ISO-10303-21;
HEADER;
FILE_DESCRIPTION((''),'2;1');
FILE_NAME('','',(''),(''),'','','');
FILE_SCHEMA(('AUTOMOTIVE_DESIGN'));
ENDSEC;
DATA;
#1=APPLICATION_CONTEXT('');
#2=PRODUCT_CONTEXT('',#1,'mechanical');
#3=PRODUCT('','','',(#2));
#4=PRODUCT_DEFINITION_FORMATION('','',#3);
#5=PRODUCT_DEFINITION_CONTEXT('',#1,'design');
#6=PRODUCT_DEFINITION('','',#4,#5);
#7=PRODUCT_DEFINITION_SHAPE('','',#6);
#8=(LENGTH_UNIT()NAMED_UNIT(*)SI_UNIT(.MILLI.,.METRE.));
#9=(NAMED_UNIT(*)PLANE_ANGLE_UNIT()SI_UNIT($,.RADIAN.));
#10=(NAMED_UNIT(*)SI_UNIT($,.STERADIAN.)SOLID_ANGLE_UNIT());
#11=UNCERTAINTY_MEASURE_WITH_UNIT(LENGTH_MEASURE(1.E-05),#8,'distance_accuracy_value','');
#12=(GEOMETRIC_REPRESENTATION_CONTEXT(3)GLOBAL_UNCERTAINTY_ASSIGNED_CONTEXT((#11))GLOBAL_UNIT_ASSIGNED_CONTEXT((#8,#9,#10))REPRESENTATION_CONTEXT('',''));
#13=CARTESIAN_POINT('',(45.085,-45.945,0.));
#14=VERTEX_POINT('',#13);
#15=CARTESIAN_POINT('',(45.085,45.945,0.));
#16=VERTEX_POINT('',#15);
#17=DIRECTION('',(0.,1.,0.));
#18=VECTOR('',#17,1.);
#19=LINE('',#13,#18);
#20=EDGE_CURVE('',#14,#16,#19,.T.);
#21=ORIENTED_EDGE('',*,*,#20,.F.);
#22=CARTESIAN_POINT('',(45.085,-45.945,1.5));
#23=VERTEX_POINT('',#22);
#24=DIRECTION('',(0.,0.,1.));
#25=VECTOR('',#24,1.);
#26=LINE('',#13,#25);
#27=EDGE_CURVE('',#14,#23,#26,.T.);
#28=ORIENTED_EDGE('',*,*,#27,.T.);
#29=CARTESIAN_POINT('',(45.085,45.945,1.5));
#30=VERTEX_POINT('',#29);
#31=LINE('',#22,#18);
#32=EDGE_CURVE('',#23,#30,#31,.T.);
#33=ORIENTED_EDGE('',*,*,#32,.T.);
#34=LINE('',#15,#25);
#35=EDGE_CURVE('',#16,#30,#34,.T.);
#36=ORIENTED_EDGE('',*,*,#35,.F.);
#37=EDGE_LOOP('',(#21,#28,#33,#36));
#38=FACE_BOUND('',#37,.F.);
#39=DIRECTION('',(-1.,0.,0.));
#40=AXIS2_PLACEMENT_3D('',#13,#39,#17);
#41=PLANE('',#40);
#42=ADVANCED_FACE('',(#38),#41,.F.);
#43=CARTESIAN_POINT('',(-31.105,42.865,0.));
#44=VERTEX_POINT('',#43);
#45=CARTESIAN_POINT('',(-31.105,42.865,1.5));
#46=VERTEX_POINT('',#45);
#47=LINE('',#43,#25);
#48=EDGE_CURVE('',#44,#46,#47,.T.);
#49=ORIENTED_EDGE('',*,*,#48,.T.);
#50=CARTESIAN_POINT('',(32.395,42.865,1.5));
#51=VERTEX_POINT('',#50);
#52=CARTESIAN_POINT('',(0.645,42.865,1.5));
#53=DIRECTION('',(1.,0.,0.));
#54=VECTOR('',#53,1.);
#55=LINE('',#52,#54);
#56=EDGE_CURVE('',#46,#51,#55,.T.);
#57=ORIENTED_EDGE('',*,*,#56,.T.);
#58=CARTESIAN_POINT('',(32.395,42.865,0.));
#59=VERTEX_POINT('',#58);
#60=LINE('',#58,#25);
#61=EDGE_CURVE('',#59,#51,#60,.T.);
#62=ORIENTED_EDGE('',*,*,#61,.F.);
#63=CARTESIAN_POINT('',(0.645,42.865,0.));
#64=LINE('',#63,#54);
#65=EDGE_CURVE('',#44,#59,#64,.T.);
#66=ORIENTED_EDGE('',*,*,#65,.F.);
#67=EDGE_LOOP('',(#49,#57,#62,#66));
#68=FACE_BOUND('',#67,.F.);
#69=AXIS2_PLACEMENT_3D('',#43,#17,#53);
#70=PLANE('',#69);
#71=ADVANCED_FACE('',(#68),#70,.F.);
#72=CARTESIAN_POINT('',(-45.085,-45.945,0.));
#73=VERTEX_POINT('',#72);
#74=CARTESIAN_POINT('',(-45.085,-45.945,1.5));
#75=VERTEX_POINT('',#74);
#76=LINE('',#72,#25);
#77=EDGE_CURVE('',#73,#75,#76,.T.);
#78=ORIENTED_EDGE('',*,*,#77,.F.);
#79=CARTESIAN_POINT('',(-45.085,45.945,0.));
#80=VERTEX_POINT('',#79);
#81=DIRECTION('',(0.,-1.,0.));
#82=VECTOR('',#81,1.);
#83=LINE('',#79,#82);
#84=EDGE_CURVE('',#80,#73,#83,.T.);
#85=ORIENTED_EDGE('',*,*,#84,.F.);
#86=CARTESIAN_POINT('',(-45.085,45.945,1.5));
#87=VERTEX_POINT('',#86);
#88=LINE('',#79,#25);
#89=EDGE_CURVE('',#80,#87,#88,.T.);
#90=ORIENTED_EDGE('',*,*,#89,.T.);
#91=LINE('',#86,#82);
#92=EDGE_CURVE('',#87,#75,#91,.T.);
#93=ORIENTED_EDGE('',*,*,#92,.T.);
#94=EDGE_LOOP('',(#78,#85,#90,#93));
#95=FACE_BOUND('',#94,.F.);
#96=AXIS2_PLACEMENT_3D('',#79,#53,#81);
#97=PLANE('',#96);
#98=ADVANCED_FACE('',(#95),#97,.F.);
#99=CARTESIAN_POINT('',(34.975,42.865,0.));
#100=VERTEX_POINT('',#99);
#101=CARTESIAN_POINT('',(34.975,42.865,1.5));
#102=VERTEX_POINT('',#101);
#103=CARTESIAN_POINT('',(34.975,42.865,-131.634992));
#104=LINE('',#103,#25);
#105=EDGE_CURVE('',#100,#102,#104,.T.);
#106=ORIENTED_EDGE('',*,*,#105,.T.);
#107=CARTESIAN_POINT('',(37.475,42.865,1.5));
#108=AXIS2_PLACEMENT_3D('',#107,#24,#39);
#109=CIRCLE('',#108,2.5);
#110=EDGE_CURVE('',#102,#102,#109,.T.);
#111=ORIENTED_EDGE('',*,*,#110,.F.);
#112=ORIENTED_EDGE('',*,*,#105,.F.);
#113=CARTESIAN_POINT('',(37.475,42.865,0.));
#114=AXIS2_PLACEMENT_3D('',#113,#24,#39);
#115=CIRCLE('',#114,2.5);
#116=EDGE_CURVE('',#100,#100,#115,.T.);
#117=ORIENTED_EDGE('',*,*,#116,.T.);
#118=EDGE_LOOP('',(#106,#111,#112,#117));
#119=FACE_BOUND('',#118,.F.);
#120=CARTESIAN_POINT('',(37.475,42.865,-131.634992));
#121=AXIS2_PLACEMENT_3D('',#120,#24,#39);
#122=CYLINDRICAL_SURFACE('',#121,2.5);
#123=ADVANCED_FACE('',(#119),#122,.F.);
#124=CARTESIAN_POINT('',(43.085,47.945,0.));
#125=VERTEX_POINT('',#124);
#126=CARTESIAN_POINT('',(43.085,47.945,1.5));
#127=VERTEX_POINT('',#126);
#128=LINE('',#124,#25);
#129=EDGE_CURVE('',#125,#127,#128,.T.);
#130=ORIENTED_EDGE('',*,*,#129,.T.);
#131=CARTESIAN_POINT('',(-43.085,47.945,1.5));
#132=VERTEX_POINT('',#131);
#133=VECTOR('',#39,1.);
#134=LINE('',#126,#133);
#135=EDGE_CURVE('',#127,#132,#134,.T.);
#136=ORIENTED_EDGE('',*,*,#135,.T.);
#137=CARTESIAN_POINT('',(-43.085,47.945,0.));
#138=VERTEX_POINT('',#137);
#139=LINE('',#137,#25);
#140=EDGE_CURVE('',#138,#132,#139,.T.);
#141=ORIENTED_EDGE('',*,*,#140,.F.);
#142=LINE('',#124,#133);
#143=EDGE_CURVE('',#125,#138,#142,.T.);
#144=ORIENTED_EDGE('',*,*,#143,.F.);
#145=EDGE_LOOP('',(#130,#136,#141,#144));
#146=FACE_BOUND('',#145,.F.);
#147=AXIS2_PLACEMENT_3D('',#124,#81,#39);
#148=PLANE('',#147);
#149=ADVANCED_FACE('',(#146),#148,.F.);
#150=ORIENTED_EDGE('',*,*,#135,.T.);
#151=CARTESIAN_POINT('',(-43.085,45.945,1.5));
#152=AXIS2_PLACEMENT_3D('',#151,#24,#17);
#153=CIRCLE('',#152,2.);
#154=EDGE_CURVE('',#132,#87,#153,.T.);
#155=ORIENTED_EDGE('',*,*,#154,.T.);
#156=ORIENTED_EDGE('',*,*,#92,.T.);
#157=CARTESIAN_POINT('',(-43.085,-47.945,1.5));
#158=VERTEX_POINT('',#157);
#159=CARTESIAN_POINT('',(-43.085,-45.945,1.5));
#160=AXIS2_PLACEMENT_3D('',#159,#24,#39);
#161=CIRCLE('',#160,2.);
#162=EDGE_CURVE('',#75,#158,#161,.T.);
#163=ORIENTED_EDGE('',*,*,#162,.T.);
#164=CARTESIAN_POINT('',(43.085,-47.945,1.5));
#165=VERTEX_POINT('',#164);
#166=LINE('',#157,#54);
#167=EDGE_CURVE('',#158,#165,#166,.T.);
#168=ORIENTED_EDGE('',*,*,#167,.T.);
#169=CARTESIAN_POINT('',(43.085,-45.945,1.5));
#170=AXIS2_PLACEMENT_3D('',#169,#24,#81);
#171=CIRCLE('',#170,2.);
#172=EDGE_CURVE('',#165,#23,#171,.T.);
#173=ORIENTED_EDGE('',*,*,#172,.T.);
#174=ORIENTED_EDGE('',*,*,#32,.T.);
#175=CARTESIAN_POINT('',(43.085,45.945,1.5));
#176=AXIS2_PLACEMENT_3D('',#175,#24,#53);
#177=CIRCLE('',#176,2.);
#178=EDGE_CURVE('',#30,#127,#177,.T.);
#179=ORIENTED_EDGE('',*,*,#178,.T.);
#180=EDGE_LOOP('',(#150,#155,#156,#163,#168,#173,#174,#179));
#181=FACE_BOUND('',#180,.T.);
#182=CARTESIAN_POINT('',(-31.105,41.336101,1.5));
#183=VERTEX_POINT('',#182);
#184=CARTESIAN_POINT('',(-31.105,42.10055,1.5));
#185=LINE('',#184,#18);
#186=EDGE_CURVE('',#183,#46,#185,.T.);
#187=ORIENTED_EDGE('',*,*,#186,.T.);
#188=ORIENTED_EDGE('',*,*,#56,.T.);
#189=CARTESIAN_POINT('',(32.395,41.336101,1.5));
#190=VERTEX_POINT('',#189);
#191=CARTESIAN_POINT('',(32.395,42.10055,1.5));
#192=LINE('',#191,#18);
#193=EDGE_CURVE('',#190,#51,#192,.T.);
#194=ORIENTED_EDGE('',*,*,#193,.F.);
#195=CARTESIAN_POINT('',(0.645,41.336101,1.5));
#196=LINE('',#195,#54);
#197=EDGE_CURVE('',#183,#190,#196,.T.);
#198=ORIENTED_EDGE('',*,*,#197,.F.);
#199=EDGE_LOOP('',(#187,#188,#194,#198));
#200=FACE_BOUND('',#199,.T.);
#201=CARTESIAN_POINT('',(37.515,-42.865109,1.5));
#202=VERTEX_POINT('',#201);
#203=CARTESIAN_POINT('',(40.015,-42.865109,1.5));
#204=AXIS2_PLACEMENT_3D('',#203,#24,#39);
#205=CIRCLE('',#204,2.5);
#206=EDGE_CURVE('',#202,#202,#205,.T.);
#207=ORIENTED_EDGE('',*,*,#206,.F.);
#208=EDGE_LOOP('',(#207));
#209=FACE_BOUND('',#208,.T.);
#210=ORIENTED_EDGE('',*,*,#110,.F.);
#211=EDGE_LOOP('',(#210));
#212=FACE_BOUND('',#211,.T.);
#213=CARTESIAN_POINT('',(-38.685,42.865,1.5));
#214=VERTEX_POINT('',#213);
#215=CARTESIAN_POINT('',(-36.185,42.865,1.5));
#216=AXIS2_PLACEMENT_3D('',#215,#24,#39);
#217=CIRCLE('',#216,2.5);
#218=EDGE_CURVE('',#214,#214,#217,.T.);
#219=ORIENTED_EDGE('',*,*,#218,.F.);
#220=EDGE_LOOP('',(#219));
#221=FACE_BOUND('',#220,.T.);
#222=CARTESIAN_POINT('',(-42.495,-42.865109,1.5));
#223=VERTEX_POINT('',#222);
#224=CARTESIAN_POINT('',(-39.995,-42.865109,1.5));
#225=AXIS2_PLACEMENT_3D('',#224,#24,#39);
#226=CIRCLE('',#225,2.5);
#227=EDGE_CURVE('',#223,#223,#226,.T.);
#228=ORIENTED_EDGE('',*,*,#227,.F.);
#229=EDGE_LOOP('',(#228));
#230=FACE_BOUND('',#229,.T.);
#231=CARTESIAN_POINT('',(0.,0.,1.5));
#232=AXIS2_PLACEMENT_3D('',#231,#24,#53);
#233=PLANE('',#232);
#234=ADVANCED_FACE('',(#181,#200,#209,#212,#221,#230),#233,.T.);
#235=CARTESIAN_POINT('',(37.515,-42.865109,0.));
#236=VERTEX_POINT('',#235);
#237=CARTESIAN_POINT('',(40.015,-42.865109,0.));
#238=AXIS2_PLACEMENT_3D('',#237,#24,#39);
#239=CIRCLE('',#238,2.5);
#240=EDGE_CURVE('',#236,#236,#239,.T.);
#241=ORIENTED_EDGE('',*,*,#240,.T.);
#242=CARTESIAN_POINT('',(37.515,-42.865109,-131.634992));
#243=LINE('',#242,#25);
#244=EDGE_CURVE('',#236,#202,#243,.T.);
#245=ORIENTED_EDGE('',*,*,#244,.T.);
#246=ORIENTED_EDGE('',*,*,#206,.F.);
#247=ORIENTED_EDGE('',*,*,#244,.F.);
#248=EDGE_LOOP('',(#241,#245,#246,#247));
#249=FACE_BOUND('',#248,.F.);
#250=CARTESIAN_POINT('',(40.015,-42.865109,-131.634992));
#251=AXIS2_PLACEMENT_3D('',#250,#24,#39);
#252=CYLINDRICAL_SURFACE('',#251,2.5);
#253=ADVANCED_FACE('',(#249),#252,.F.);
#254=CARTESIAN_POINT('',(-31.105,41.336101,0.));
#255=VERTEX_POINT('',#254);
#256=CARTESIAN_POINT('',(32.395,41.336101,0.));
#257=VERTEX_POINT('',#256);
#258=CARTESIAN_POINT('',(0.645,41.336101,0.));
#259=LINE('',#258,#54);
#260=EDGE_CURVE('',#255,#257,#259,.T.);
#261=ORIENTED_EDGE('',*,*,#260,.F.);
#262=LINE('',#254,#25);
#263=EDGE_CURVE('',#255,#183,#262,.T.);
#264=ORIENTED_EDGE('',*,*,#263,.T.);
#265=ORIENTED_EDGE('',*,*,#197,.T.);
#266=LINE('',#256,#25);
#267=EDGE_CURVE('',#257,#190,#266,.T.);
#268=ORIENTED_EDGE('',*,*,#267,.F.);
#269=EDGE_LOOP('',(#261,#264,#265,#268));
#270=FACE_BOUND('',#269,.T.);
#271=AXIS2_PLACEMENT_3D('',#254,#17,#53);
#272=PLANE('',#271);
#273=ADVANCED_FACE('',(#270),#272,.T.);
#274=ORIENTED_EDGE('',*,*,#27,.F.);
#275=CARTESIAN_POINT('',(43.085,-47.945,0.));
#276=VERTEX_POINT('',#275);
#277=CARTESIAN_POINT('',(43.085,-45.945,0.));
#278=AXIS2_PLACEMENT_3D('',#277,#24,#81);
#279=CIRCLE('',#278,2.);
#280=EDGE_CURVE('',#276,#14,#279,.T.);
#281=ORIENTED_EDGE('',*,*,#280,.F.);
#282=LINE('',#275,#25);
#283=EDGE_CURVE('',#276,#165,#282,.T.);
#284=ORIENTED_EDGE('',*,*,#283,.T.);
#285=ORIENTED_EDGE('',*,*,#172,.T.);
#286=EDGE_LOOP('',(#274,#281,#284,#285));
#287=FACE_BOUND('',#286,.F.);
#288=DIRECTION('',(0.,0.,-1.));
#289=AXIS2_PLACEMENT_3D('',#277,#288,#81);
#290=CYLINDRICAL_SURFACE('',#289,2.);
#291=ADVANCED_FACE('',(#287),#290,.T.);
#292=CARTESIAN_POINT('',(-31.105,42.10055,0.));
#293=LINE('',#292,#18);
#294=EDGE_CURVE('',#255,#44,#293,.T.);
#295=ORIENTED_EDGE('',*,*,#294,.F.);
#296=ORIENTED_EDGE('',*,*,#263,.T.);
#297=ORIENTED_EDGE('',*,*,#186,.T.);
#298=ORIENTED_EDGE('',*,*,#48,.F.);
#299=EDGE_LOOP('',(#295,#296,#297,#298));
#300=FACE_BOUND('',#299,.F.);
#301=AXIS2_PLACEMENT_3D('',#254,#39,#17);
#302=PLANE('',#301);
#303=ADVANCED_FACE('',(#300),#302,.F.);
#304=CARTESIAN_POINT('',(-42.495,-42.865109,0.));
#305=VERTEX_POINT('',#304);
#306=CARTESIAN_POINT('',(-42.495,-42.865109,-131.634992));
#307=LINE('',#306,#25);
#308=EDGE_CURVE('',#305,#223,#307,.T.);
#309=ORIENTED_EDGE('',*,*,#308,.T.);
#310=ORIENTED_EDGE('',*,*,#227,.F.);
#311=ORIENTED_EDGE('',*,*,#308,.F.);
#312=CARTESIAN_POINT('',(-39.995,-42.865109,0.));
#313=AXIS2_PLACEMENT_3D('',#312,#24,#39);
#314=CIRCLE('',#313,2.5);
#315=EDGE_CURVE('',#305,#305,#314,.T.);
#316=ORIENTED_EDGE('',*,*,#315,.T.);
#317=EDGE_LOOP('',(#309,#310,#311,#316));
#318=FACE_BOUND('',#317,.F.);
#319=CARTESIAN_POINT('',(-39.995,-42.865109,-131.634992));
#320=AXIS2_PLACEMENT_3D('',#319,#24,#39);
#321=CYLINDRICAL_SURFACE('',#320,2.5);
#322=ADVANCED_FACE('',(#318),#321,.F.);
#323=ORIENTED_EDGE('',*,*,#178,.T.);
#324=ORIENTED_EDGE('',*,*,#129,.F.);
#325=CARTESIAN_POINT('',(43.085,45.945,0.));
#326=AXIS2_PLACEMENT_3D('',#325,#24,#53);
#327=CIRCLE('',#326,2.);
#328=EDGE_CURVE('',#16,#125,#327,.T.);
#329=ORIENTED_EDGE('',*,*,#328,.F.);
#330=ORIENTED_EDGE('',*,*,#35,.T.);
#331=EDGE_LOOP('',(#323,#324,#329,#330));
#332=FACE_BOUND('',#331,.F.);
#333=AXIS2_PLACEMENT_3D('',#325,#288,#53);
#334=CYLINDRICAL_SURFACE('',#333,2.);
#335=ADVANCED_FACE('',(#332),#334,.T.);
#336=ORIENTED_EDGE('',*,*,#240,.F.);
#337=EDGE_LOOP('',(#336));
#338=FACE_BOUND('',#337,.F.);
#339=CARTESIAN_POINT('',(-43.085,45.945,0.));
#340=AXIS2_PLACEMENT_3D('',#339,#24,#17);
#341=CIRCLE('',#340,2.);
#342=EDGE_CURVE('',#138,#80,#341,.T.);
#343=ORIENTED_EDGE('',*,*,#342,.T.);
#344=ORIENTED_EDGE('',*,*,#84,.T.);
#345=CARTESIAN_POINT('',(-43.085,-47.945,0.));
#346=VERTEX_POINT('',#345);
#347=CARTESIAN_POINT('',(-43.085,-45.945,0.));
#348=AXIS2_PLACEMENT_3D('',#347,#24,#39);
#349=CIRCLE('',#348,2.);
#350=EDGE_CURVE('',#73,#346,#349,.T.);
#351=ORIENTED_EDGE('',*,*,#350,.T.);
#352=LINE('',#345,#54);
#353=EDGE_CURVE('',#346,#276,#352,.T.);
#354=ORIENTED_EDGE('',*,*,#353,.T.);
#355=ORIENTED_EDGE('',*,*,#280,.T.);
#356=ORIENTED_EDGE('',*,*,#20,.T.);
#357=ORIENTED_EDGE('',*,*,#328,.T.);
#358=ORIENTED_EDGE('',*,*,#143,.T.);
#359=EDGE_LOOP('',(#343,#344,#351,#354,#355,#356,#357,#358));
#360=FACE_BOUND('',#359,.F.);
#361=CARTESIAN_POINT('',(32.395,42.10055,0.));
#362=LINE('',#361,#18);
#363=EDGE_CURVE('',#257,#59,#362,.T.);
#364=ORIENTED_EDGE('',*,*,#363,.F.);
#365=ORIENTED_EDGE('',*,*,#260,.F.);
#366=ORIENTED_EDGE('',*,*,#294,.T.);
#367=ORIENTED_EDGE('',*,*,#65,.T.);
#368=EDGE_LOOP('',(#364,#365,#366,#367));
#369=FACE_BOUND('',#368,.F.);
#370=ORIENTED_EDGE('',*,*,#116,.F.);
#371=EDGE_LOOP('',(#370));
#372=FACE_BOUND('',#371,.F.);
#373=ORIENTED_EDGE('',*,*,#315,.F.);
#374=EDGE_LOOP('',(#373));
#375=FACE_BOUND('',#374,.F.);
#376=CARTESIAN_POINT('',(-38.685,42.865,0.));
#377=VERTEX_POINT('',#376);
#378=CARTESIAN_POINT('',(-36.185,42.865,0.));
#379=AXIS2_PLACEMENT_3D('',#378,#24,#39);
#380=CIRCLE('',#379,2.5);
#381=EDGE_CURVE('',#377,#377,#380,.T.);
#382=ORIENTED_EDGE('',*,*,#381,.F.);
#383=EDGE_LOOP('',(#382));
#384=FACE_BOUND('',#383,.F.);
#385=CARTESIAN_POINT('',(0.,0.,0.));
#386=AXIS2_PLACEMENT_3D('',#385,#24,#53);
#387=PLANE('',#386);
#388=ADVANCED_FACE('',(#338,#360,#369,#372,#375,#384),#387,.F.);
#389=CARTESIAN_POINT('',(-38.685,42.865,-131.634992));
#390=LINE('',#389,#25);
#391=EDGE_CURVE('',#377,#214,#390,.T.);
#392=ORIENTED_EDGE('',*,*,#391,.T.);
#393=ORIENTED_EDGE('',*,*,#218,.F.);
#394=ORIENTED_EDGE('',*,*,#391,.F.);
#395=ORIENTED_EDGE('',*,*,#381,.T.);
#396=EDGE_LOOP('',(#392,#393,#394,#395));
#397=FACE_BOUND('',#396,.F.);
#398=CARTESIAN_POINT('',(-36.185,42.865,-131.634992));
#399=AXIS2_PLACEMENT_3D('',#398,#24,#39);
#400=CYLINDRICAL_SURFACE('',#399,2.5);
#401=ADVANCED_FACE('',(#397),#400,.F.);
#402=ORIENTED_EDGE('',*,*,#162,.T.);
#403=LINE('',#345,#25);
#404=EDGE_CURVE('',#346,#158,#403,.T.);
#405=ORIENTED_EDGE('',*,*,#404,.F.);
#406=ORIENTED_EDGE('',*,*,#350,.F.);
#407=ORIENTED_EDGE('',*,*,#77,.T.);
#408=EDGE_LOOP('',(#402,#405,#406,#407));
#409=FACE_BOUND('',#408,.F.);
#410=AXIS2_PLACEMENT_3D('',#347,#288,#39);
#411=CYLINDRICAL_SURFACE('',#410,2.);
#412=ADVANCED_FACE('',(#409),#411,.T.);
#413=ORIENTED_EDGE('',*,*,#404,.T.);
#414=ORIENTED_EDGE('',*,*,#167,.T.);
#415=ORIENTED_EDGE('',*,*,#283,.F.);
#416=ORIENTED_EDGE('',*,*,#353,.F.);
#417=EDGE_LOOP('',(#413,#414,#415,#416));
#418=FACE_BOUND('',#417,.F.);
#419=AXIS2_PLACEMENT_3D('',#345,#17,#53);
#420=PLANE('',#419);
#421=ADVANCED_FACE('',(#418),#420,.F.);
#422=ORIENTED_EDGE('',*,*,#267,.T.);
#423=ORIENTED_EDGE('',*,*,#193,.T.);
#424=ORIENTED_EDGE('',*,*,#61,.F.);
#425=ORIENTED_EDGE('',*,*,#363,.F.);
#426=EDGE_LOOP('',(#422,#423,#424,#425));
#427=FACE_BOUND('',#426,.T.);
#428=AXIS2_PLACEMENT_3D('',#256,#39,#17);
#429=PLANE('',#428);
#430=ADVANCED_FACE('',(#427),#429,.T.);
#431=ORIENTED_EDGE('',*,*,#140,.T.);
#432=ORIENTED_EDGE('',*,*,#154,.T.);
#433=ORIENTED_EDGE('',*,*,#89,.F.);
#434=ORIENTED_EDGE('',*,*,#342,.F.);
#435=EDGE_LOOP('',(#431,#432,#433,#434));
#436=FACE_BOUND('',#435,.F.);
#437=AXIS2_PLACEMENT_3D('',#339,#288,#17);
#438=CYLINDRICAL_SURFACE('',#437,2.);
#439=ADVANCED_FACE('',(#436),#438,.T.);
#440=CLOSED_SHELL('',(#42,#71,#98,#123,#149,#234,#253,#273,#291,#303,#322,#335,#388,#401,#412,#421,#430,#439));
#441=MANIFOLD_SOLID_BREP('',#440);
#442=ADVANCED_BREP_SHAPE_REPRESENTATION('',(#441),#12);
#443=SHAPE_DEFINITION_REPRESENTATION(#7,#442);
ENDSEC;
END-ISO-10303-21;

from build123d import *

# Parameters (mm, degrees)
F0_W     = 63.5
F0_H     = 1.5288994515
F1_DEPTH = 1.5
F2_D     = 5


with BuildPart() as f1:
    # F0 (on Top) → F1 (new body)
    with BuildSketch(Plane.XY):
        with BuildLine():
            ThreePointArc((45.085, 45.945), (44.4992135624, 47.3592135624), (43.085, 47.945))
            Line((43.085, 47.945), (-43.085, 47.945))
            ThreePointArc((-43.085, 47.945), (-44.4992135624, 47.3592135624), (-45.085, 45.945))
            Line((-45.085, 45.945), (-45.085, -45.945))
            ThreePointArc((-45.085, -45.945), (-44.4992135624, -47.3592135624), (-43.085, -47.945))
            Line((-43.085, -47.945), (43.085, -47.945))
            ThreePointArc((43.085, -47.945), (44.4992135624, -47.3592135624), (45.085, -45.945))
            Line((45.085, -45.945), (45.085, 45.945))
        make_face()
        with Locations((0.645, 42.1005502743)):
            Rectangle(F0_W, F0_H, mode=Mode.SUBTRACT)
    extrude(amount=F1_DEPTH)

    # F2 (through all)
    with Locations(Plane(origin=(0, 0, 0), x_dir=(1, 0, 0), z_dir=(0, 0, -1))):
        with Locations((-36.185, -42.865), (37.475, -42.865), (40.015, 42.8651091478), (-39.995, 42.8651091478)):
            Hole(F2_D / 2)


solid = f1.part
